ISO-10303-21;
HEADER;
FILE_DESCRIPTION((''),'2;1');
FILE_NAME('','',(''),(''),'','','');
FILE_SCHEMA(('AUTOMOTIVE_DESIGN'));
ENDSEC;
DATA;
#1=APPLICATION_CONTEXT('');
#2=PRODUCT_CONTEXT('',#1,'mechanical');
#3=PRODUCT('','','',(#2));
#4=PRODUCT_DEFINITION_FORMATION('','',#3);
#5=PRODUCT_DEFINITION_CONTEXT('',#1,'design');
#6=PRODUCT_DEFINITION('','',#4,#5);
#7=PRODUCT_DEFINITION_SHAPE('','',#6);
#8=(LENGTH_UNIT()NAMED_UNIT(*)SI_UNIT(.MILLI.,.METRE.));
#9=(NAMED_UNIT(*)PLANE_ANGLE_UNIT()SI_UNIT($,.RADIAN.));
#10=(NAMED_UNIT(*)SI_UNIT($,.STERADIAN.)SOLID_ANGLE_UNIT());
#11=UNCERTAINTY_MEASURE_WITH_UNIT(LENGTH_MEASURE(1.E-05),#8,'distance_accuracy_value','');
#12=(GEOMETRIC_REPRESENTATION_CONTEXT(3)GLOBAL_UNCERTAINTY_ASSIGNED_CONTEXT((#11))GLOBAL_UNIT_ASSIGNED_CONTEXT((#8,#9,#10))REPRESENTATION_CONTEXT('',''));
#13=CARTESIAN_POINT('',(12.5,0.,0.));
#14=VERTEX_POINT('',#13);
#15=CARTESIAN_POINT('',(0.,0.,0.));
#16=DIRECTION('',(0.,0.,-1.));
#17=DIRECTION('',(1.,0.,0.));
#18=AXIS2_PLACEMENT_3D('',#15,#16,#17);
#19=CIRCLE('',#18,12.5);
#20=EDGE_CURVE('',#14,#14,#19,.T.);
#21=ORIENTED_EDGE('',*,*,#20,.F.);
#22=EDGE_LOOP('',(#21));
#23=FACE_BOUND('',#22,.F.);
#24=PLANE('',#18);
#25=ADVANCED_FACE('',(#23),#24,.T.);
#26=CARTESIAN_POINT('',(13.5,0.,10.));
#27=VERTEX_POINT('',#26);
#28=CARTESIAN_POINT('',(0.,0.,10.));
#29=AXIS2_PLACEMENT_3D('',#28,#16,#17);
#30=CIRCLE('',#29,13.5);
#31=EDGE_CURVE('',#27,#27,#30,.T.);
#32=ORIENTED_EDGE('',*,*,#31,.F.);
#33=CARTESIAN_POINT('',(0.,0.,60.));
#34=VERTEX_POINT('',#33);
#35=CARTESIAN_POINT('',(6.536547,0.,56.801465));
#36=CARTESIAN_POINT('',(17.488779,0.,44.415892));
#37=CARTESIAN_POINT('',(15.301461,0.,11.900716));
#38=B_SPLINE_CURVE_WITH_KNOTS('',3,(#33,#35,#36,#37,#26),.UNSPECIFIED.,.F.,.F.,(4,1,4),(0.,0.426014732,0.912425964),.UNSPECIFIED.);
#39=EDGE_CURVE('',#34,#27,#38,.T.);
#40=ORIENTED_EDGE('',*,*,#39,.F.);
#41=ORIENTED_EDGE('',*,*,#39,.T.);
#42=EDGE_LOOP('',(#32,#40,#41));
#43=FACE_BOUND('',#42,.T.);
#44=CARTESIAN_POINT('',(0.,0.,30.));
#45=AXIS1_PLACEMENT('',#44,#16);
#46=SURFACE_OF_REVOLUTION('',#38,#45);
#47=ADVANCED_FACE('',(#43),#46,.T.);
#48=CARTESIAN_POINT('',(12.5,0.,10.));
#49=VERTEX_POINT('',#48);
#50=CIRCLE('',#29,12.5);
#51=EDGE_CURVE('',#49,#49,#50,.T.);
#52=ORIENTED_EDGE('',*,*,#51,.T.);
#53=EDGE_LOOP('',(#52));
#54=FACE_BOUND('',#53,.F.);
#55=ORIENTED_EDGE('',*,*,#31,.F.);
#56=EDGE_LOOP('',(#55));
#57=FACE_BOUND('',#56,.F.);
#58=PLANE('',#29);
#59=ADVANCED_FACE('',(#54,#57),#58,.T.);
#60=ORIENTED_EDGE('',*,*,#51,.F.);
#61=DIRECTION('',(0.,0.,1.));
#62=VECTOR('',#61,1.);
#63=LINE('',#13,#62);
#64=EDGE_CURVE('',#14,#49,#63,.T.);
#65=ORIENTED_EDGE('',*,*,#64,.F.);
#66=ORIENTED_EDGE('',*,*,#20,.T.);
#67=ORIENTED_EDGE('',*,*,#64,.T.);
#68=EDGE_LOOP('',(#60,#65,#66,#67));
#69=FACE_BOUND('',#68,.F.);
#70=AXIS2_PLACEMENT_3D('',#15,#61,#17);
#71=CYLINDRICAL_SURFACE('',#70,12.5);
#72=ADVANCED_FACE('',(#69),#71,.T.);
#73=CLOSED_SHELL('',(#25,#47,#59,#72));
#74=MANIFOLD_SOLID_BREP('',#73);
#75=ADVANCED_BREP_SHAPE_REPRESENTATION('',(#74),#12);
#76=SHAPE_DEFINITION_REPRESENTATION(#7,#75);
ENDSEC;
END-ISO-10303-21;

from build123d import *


with BuildPart() as f1:
    # F0 (on Front) → F1 (revolve)
    with BuildSketch(Plane.XZ):
        with BuildLine():
            add(Edge.make_bspline(
                [(0, 60), (6.5365468575, 56.8014649204), (17.4887791058, 44.415892355), (15.3014609158, 11.9007157912), (13.5, 10)],
                knots=[0, 0, 0, 0, 0.4260147316, 0.9124259643, 0.9124259643, 0.9124259643, 0.9124259643], degree=3))
            Line((0, 60), (0, 0))
            Line((0, 0), (12.5, 0))
            Line((12.5, 0), (12.5, 10))
            Line((12.5, 10), (13.5, 10))
        make_face()
    revolve(axis=Axis((0, 0, 30), (0, 0, -1)))


solid = f1.part
